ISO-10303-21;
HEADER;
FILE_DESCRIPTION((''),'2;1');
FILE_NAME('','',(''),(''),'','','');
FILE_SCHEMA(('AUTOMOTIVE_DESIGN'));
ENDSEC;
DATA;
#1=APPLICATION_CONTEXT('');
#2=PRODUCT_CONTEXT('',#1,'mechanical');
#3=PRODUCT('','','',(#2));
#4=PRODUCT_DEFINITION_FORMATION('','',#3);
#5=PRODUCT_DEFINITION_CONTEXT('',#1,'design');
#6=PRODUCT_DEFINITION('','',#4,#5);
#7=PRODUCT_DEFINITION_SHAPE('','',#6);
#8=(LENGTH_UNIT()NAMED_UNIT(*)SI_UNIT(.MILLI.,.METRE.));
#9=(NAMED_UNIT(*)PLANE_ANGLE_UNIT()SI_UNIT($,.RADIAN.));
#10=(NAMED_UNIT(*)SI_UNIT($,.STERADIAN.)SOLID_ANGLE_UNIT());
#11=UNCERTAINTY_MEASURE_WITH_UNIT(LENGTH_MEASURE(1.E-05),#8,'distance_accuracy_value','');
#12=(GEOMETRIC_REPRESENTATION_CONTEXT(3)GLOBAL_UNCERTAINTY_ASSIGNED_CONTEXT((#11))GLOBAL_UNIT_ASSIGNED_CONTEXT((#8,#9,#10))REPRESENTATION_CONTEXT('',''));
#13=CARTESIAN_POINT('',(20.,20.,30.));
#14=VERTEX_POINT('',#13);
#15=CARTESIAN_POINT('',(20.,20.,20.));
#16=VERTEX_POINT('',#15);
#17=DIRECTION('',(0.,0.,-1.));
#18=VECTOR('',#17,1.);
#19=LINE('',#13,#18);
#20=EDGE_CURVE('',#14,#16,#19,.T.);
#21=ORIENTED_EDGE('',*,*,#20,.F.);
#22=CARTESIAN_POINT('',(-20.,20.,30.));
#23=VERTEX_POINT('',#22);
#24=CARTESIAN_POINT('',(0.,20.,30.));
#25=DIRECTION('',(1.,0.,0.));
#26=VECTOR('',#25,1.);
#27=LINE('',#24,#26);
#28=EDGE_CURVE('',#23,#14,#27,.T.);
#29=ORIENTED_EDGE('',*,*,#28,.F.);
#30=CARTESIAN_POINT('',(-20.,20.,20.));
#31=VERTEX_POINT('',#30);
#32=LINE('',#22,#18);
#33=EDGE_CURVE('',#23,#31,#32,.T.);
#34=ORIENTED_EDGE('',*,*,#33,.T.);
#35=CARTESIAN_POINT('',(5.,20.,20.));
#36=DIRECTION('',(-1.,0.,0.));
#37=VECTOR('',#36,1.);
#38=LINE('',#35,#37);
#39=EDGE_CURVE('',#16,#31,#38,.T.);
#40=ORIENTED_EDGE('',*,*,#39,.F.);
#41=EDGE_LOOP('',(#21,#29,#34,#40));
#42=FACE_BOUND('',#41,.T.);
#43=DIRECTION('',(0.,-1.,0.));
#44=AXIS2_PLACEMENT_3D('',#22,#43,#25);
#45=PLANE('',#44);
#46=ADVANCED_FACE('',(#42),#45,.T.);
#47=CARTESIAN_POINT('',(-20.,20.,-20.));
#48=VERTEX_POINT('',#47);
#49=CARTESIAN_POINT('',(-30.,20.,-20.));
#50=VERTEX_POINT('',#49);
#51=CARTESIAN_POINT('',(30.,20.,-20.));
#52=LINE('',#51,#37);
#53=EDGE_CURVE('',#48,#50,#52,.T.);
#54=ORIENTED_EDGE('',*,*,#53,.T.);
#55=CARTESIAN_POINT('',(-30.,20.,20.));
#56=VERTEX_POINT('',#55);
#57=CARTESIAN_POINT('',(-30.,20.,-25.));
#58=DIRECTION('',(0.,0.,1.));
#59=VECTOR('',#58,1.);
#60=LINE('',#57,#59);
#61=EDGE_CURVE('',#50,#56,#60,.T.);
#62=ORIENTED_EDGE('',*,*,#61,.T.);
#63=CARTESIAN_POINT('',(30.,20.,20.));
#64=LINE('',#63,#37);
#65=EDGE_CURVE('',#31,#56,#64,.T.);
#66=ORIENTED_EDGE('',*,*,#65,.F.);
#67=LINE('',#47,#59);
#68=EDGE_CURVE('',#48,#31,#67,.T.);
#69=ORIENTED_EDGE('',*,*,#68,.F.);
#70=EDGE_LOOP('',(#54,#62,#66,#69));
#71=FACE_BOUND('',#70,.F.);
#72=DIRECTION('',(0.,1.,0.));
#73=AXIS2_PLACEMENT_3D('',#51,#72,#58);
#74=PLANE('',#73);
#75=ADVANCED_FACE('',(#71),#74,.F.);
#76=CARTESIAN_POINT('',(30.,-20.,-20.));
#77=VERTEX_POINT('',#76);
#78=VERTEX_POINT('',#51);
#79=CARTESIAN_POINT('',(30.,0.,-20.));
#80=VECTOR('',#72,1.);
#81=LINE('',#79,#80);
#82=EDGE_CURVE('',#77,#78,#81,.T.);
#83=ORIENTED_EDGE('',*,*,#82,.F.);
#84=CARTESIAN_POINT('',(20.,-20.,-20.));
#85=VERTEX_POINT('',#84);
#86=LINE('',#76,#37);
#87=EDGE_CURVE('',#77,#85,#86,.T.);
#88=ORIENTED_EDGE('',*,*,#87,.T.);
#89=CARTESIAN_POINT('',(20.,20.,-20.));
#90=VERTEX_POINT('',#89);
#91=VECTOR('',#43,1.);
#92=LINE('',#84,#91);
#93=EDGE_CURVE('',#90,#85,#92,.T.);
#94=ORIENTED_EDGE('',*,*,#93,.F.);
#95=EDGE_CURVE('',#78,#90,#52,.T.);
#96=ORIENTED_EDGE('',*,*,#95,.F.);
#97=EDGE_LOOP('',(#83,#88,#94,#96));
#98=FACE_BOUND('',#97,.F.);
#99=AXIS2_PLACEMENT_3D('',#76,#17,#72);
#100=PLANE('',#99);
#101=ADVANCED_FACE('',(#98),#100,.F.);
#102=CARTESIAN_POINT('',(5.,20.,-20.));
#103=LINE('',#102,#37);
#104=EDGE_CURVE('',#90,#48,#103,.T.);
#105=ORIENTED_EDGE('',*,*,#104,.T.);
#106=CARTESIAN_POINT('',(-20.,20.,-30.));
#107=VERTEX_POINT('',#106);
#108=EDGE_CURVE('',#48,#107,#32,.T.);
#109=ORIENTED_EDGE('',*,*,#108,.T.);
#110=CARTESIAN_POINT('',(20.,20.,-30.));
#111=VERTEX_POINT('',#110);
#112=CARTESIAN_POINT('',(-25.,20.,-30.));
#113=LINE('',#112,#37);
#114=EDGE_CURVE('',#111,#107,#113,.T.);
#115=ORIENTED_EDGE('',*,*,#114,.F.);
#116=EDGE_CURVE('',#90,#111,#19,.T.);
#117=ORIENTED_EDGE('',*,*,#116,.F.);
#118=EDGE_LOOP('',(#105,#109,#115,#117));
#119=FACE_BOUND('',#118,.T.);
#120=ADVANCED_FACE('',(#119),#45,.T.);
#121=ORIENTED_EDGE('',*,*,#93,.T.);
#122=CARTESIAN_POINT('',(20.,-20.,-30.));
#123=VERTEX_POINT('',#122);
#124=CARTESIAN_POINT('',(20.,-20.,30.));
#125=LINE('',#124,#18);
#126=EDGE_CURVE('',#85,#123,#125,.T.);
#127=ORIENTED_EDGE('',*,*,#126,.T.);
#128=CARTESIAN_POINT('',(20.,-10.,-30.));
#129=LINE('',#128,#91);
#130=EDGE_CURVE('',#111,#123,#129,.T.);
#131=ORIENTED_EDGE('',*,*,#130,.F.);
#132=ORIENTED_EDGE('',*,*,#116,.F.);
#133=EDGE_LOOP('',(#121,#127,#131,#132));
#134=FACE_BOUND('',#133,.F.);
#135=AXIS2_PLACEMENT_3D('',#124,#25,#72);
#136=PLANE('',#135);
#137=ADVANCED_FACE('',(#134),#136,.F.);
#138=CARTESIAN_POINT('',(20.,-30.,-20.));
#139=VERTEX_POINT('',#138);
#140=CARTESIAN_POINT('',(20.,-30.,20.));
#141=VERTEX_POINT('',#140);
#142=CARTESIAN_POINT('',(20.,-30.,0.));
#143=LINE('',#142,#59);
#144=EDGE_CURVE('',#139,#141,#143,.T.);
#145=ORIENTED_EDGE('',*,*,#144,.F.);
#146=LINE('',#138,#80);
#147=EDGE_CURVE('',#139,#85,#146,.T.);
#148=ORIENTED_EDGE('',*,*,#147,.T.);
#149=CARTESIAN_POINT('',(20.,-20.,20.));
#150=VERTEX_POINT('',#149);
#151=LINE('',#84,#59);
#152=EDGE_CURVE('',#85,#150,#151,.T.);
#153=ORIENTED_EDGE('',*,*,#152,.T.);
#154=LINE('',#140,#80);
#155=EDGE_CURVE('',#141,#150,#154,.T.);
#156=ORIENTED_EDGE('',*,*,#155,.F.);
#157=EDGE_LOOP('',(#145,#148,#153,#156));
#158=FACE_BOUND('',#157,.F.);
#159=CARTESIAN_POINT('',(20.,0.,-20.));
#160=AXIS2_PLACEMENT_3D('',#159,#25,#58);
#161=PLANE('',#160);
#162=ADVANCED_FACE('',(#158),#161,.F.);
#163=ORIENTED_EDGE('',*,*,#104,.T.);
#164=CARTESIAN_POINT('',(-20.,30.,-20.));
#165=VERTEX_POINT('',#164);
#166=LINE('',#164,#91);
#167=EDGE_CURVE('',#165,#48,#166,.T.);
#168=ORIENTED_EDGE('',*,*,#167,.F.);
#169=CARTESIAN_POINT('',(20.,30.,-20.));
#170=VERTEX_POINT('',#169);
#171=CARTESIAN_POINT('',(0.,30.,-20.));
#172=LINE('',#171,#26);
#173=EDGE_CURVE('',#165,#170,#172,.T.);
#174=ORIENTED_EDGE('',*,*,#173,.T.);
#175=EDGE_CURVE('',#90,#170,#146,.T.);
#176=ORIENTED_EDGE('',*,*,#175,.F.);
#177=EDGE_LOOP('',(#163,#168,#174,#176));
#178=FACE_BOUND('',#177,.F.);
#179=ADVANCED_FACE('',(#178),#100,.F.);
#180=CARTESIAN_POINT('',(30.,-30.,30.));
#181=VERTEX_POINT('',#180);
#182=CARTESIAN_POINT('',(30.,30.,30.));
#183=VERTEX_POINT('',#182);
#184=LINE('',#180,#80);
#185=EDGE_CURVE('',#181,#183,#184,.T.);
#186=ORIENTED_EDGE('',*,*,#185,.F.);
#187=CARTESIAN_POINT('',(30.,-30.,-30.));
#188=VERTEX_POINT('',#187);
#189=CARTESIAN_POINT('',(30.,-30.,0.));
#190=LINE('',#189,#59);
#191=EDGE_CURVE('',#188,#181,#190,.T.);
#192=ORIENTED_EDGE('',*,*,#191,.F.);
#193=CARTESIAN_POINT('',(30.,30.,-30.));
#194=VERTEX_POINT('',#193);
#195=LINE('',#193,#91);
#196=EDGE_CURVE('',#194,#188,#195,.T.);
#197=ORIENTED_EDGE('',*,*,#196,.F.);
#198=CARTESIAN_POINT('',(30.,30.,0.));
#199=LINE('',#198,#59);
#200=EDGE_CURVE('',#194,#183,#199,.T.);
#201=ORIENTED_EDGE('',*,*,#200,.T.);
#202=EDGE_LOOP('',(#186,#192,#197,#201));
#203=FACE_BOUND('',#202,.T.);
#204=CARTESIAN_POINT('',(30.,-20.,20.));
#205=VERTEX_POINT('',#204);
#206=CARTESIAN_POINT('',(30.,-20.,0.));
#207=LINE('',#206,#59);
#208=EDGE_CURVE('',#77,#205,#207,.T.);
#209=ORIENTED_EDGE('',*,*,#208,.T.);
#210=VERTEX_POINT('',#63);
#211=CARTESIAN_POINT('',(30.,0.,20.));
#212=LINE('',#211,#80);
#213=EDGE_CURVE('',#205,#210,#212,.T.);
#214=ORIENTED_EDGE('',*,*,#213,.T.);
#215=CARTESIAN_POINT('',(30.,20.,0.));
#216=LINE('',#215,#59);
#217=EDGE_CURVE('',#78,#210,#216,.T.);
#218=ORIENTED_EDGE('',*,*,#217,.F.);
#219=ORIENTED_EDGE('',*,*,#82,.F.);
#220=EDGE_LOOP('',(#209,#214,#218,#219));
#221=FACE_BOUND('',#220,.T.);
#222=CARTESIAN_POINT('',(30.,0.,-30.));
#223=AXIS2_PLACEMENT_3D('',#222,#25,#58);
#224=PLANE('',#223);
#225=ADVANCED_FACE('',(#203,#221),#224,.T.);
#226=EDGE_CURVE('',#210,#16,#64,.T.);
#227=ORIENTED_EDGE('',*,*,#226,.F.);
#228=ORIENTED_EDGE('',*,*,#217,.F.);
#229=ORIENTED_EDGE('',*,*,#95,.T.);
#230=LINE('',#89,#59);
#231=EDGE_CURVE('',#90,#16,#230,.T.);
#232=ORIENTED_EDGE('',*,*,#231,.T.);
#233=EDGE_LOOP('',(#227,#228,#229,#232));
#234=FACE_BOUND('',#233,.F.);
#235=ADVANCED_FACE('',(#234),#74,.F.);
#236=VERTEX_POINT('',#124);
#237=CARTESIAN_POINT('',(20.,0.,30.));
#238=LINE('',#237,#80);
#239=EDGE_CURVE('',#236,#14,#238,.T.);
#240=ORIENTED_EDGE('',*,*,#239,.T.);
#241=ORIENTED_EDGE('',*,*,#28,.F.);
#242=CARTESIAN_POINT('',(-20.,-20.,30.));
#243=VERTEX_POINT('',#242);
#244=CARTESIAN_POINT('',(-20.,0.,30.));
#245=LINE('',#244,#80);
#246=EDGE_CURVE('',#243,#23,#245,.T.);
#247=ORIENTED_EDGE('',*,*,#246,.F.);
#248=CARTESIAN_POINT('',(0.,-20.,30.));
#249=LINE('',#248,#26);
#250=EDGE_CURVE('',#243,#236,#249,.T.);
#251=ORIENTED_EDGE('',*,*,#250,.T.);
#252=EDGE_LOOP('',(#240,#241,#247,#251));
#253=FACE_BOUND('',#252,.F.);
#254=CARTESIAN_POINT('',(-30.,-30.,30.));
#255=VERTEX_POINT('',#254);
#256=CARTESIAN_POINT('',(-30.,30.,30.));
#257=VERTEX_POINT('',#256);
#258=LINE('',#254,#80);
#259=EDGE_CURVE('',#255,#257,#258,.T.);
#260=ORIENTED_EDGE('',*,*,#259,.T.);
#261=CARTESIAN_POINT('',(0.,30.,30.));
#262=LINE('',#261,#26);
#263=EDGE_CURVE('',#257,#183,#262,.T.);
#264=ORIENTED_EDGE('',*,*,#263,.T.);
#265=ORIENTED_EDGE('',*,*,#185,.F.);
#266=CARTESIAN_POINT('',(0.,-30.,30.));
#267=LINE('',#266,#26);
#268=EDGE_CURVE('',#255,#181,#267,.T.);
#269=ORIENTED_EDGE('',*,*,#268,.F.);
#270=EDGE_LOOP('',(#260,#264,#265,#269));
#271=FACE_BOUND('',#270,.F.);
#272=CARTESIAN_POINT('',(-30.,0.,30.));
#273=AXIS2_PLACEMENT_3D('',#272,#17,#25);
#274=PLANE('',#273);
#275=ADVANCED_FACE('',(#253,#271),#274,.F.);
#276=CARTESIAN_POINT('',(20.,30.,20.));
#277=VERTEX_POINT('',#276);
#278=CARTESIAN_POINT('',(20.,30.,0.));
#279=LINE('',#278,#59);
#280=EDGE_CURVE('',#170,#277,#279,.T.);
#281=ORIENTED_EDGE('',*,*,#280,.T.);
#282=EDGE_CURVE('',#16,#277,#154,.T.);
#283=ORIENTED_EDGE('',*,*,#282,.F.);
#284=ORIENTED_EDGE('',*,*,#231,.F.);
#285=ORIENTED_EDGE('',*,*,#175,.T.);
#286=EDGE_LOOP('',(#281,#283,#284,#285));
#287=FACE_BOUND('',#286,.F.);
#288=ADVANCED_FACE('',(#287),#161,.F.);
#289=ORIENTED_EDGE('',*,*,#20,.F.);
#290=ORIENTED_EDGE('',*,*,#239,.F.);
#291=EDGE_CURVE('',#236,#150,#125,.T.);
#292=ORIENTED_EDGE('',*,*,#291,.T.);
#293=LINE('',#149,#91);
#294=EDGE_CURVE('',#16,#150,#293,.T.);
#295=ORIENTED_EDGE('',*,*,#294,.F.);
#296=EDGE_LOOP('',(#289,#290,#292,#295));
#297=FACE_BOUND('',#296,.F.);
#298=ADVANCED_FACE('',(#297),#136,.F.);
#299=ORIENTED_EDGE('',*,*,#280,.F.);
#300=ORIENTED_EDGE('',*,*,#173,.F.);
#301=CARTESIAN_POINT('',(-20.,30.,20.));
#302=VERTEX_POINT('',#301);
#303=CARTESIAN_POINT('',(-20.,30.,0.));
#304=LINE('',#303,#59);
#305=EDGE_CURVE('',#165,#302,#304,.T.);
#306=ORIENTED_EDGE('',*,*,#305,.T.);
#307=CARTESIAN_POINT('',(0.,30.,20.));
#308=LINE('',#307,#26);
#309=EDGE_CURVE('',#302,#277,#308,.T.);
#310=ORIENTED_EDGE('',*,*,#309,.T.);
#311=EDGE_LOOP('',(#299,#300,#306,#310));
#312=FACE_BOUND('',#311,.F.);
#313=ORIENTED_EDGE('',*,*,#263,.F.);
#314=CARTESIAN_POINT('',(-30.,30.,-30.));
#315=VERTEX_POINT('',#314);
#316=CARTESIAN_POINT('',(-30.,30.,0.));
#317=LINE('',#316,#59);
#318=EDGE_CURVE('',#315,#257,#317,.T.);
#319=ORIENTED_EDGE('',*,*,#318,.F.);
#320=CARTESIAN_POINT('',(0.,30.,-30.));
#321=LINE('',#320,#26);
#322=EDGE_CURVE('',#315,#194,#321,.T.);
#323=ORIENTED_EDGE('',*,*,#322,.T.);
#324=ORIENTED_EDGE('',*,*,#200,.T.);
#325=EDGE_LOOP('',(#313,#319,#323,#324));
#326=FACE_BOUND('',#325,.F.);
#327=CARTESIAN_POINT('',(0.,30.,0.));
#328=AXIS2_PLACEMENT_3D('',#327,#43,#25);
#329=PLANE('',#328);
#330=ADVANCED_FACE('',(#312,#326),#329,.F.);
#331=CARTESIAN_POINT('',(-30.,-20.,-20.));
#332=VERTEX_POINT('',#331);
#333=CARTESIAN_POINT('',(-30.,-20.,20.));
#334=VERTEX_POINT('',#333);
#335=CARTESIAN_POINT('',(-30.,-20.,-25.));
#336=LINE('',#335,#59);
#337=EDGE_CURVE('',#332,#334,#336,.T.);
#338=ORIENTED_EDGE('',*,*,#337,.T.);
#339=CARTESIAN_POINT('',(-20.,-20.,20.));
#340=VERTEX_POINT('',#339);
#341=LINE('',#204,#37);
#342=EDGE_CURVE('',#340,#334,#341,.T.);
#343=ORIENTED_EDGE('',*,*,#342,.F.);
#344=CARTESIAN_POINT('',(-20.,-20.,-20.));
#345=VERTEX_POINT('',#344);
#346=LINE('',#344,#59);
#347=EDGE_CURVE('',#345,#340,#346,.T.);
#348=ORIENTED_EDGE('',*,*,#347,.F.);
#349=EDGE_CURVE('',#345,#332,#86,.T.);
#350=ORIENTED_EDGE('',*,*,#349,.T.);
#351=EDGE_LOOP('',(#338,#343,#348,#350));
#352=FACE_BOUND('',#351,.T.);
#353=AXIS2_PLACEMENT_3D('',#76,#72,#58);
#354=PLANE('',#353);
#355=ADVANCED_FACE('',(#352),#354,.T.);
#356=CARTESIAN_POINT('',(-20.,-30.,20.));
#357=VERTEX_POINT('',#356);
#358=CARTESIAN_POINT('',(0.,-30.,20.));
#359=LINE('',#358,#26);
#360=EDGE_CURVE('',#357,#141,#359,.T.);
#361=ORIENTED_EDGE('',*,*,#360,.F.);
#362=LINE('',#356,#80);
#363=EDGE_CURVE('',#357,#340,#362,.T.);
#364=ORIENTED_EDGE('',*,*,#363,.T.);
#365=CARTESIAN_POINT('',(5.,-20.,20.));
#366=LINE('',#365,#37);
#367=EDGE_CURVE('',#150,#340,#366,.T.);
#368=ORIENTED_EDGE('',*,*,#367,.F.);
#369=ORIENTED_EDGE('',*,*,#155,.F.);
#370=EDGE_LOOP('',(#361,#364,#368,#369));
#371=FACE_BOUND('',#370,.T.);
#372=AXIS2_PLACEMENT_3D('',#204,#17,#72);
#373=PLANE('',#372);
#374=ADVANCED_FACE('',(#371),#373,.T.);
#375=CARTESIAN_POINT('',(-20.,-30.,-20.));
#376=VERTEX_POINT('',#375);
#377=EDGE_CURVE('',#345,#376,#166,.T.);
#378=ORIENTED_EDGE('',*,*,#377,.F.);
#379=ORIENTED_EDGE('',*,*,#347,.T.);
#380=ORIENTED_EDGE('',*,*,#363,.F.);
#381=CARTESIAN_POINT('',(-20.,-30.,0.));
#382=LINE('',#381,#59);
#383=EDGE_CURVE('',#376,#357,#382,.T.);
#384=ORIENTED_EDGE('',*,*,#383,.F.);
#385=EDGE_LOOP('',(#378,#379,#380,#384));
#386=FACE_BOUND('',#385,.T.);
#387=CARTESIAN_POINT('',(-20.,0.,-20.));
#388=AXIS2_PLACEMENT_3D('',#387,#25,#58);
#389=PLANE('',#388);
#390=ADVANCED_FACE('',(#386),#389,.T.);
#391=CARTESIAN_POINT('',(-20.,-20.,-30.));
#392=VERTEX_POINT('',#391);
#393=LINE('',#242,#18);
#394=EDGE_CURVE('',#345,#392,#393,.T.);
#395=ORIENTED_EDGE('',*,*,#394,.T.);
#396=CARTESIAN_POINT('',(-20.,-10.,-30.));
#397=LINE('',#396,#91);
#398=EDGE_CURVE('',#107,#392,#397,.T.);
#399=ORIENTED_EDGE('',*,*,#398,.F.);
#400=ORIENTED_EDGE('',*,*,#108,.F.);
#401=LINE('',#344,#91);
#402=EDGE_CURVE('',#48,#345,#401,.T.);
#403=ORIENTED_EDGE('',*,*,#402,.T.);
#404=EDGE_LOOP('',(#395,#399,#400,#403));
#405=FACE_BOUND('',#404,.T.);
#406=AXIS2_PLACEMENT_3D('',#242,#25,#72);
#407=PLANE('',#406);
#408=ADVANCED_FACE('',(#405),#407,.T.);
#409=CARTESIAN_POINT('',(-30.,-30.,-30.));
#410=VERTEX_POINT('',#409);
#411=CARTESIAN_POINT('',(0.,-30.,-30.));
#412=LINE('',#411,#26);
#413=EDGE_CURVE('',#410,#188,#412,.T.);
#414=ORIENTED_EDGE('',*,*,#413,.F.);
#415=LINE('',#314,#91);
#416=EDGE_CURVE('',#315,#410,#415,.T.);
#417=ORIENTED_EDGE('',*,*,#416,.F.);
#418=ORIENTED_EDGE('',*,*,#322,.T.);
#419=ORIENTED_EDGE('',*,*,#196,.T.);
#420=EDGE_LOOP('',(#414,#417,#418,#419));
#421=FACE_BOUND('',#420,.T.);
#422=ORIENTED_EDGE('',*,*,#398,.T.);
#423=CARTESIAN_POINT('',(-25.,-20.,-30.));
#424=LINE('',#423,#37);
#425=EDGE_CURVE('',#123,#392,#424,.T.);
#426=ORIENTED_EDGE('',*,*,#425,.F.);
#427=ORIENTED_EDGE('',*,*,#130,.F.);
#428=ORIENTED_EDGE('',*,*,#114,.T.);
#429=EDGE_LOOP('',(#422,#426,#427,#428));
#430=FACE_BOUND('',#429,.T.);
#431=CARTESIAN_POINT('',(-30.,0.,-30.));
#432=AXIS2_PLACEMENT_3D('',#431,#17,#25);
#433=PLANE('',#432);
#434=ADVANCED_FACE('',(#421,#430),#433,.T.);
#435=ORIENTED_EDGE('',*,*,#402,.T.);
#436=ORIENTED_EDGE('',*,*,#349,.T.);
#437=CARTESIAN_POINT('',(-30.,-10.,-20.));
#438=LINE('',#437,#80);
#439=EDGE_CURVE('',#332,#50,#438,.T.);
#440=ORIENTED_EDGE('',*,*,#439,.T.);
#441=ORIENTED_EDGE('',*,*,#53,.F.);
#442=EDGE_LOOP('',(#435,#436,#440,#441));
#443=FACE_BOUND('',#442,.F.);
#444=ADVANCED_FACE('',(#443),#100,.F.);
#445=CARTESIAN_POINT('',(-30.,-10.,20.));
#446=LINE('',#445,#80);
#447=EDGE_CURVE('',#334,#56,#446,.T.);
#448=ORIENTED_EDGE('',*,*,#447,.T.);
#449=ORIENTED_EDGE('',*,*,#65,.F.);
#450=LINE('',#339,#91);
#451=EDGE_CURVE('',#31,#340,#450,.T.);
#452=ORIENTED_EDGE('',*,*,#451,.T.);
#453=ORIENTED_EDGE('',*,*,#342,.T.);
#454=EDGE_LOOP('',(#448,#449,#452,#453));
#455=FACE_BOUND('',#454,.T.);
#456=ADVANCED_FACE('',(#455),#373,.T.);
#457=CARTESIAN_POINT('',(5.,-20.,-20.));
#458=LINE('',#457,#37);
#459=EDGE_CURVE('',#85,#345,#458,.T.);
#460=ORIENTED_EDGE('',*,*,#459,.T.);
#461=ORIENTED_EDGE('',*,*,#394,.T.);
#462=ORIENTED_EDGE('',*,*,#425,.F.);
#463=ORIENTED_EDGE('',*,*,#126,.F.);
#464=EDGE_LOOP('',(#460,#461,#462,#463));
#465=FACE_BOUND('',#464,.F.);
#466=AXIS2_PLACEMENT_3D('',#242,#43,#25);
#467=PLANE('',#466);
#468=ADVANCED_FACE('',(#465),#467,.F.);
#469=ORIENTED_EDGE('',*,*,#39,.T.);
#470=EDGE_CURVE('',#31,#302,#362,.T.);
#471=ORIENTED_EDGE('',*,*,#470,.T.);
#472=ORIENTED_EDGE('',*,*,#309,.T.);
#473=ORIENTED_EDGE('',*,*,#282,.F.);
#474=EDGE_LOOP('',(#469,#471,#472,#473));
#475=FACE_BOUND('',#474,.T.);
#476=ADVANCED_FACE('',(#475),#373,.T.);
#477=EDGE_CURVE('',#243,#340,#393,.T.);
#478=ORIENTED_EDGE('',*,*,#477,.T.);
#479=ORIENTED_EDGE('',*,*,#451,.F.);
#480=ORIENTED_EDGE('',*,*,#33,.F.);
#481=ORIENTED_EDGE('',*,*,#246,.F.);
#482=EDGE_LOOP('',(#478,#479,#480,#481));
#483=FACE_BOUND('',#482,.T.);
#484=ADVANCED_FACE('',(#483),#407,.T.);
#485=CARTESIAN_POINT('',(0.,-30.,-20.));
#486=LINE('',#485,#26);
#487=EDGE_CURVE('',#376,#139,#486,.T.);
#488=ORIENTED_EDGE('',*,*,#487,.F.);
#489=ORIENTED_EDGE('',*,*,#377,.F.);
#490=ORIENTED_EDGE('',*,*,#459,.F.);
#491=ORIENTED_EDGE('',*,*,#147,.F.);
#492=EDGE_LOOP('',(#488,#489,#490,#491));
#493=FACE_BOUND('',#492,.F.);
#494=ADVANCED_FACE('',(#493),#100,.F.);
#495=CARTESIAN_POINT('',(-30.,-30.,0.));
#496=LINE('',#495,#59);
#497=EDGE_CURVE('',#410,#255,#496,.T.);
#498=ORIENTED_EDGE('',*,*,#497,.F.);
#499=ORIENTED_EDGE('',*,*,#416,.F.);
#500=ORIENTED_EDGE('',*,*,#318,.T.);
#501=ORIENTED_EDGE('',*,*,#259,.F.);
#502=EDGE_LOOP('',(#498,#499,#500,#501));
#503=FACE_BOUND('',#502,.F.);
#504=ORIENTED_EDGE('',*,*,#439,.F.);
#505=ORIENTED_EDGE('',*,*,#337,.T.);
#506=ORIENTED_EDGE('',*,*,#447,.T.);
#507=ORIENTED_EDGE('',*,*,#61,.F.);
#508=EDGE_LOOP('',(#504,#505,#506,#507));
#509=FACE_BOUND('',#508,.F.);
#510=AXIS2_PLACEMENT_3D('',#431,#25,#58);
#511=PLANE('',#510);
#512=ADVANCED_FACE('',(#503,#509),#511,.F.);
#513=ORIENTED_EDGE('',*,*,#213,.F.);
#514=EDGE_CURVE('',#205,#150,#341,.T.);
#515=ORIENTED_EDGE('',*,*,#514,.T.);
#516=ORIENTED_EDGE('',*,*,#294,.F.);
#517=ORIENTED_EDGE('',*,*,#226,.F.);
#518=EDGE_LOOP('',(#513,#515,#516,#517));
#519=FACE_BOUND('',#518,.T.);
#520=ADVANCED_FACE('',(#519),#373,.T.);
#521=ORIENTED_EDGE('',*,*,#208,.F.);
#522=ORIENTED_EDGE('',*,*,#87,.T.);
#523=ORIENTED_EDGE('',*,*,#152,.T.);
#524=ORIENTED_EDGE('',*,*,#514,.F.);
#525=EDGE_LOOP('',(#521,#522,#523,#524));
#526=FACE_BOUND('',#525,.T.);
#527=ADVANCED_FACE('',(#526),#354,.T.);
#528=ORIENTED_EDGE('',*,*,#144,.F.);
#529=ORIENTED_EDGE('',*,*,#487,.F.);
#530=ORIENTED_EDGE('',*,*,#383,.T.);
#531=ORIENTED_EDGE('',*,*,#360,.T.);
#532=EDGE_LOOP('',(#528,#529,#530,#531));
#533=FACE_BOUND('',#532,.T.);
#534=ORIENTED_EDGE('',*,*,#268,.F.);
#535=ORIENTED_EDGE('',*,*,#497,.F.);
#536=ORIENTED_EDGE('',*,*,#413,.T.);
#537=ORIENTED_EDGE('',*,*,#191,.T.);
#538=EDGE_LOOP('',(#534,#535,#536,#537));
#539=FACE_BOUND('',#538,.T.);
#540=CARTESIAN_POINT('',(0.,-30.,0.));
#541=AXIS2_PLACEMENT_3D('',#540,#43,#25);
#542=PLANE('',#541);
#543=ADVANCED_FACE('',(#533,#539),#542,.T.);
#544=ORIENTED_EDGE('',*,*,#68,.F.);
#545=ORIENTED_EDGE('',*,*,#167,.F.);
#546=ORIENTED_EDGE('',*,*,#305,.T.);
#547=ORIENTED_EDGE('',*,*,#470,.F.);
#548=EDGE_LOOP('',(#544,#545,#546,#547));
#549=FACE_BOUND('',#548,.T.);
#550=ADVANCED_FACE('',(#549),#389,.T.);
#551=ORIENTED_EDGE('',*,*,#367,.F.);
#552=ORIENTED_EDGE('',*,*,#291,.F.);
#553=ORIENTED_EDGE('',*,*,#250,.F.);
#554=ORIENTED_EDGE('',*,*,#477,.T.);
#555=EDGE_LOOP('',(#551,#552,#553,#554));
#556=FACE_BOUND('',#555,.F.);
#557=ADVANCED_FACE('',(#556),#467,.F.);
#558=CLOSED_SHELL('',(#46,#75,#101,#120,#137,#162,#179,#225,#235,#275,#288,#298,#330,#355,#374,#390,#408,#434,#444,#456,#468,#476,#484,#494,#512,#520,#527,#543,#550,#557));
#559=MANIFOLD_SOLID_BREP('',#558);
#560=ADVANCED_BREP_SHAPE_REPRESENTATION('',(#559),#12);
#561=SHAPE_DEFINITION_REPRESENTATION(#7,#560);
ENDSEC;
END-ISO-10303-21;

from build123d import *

# Parameters (mm, degrees)
F0_W     = 60
F0_H     = 60
F0_W_2   = 40
F0_H_2   = 40
F1_DEPTH = 30
F2_W     = 40
F2_H     = 40
F3_DEPTH = 60.001
F4_W     = 40
F4_H     = 40
F5_DEPTH = 60.001


with BuildPart() as f1:
    # F0 (on Front) → F1 (new body, symmetric)
    with BuildSketch(Plane.XZ):
        Rectangle(F0_W, F0_H)
        Rectangle(F0_W_2, F0_H_2, mode=Mode.SUBTRACT)
    extrude(amount=F1_DEPTH, both=True)

    # F2 (on face) → F3 (cut, through all)
    with BuildSketch(Plane.YZ.offset(30)):
        Rectangle(F2_W, F2_H)
    extrude(amount=-F3_DEPTH, mode=Mode.SUBTRACT)

    # F4 (on face) → F5 (cut, through all)
    with BuildSketch(Plane.XY.offset(30)):
        Rectangle(F4_W, F4_H)
    extrude(amount=-F5_DEPTH, mode=Mode.SUBTRACT)


solid = f1.part
